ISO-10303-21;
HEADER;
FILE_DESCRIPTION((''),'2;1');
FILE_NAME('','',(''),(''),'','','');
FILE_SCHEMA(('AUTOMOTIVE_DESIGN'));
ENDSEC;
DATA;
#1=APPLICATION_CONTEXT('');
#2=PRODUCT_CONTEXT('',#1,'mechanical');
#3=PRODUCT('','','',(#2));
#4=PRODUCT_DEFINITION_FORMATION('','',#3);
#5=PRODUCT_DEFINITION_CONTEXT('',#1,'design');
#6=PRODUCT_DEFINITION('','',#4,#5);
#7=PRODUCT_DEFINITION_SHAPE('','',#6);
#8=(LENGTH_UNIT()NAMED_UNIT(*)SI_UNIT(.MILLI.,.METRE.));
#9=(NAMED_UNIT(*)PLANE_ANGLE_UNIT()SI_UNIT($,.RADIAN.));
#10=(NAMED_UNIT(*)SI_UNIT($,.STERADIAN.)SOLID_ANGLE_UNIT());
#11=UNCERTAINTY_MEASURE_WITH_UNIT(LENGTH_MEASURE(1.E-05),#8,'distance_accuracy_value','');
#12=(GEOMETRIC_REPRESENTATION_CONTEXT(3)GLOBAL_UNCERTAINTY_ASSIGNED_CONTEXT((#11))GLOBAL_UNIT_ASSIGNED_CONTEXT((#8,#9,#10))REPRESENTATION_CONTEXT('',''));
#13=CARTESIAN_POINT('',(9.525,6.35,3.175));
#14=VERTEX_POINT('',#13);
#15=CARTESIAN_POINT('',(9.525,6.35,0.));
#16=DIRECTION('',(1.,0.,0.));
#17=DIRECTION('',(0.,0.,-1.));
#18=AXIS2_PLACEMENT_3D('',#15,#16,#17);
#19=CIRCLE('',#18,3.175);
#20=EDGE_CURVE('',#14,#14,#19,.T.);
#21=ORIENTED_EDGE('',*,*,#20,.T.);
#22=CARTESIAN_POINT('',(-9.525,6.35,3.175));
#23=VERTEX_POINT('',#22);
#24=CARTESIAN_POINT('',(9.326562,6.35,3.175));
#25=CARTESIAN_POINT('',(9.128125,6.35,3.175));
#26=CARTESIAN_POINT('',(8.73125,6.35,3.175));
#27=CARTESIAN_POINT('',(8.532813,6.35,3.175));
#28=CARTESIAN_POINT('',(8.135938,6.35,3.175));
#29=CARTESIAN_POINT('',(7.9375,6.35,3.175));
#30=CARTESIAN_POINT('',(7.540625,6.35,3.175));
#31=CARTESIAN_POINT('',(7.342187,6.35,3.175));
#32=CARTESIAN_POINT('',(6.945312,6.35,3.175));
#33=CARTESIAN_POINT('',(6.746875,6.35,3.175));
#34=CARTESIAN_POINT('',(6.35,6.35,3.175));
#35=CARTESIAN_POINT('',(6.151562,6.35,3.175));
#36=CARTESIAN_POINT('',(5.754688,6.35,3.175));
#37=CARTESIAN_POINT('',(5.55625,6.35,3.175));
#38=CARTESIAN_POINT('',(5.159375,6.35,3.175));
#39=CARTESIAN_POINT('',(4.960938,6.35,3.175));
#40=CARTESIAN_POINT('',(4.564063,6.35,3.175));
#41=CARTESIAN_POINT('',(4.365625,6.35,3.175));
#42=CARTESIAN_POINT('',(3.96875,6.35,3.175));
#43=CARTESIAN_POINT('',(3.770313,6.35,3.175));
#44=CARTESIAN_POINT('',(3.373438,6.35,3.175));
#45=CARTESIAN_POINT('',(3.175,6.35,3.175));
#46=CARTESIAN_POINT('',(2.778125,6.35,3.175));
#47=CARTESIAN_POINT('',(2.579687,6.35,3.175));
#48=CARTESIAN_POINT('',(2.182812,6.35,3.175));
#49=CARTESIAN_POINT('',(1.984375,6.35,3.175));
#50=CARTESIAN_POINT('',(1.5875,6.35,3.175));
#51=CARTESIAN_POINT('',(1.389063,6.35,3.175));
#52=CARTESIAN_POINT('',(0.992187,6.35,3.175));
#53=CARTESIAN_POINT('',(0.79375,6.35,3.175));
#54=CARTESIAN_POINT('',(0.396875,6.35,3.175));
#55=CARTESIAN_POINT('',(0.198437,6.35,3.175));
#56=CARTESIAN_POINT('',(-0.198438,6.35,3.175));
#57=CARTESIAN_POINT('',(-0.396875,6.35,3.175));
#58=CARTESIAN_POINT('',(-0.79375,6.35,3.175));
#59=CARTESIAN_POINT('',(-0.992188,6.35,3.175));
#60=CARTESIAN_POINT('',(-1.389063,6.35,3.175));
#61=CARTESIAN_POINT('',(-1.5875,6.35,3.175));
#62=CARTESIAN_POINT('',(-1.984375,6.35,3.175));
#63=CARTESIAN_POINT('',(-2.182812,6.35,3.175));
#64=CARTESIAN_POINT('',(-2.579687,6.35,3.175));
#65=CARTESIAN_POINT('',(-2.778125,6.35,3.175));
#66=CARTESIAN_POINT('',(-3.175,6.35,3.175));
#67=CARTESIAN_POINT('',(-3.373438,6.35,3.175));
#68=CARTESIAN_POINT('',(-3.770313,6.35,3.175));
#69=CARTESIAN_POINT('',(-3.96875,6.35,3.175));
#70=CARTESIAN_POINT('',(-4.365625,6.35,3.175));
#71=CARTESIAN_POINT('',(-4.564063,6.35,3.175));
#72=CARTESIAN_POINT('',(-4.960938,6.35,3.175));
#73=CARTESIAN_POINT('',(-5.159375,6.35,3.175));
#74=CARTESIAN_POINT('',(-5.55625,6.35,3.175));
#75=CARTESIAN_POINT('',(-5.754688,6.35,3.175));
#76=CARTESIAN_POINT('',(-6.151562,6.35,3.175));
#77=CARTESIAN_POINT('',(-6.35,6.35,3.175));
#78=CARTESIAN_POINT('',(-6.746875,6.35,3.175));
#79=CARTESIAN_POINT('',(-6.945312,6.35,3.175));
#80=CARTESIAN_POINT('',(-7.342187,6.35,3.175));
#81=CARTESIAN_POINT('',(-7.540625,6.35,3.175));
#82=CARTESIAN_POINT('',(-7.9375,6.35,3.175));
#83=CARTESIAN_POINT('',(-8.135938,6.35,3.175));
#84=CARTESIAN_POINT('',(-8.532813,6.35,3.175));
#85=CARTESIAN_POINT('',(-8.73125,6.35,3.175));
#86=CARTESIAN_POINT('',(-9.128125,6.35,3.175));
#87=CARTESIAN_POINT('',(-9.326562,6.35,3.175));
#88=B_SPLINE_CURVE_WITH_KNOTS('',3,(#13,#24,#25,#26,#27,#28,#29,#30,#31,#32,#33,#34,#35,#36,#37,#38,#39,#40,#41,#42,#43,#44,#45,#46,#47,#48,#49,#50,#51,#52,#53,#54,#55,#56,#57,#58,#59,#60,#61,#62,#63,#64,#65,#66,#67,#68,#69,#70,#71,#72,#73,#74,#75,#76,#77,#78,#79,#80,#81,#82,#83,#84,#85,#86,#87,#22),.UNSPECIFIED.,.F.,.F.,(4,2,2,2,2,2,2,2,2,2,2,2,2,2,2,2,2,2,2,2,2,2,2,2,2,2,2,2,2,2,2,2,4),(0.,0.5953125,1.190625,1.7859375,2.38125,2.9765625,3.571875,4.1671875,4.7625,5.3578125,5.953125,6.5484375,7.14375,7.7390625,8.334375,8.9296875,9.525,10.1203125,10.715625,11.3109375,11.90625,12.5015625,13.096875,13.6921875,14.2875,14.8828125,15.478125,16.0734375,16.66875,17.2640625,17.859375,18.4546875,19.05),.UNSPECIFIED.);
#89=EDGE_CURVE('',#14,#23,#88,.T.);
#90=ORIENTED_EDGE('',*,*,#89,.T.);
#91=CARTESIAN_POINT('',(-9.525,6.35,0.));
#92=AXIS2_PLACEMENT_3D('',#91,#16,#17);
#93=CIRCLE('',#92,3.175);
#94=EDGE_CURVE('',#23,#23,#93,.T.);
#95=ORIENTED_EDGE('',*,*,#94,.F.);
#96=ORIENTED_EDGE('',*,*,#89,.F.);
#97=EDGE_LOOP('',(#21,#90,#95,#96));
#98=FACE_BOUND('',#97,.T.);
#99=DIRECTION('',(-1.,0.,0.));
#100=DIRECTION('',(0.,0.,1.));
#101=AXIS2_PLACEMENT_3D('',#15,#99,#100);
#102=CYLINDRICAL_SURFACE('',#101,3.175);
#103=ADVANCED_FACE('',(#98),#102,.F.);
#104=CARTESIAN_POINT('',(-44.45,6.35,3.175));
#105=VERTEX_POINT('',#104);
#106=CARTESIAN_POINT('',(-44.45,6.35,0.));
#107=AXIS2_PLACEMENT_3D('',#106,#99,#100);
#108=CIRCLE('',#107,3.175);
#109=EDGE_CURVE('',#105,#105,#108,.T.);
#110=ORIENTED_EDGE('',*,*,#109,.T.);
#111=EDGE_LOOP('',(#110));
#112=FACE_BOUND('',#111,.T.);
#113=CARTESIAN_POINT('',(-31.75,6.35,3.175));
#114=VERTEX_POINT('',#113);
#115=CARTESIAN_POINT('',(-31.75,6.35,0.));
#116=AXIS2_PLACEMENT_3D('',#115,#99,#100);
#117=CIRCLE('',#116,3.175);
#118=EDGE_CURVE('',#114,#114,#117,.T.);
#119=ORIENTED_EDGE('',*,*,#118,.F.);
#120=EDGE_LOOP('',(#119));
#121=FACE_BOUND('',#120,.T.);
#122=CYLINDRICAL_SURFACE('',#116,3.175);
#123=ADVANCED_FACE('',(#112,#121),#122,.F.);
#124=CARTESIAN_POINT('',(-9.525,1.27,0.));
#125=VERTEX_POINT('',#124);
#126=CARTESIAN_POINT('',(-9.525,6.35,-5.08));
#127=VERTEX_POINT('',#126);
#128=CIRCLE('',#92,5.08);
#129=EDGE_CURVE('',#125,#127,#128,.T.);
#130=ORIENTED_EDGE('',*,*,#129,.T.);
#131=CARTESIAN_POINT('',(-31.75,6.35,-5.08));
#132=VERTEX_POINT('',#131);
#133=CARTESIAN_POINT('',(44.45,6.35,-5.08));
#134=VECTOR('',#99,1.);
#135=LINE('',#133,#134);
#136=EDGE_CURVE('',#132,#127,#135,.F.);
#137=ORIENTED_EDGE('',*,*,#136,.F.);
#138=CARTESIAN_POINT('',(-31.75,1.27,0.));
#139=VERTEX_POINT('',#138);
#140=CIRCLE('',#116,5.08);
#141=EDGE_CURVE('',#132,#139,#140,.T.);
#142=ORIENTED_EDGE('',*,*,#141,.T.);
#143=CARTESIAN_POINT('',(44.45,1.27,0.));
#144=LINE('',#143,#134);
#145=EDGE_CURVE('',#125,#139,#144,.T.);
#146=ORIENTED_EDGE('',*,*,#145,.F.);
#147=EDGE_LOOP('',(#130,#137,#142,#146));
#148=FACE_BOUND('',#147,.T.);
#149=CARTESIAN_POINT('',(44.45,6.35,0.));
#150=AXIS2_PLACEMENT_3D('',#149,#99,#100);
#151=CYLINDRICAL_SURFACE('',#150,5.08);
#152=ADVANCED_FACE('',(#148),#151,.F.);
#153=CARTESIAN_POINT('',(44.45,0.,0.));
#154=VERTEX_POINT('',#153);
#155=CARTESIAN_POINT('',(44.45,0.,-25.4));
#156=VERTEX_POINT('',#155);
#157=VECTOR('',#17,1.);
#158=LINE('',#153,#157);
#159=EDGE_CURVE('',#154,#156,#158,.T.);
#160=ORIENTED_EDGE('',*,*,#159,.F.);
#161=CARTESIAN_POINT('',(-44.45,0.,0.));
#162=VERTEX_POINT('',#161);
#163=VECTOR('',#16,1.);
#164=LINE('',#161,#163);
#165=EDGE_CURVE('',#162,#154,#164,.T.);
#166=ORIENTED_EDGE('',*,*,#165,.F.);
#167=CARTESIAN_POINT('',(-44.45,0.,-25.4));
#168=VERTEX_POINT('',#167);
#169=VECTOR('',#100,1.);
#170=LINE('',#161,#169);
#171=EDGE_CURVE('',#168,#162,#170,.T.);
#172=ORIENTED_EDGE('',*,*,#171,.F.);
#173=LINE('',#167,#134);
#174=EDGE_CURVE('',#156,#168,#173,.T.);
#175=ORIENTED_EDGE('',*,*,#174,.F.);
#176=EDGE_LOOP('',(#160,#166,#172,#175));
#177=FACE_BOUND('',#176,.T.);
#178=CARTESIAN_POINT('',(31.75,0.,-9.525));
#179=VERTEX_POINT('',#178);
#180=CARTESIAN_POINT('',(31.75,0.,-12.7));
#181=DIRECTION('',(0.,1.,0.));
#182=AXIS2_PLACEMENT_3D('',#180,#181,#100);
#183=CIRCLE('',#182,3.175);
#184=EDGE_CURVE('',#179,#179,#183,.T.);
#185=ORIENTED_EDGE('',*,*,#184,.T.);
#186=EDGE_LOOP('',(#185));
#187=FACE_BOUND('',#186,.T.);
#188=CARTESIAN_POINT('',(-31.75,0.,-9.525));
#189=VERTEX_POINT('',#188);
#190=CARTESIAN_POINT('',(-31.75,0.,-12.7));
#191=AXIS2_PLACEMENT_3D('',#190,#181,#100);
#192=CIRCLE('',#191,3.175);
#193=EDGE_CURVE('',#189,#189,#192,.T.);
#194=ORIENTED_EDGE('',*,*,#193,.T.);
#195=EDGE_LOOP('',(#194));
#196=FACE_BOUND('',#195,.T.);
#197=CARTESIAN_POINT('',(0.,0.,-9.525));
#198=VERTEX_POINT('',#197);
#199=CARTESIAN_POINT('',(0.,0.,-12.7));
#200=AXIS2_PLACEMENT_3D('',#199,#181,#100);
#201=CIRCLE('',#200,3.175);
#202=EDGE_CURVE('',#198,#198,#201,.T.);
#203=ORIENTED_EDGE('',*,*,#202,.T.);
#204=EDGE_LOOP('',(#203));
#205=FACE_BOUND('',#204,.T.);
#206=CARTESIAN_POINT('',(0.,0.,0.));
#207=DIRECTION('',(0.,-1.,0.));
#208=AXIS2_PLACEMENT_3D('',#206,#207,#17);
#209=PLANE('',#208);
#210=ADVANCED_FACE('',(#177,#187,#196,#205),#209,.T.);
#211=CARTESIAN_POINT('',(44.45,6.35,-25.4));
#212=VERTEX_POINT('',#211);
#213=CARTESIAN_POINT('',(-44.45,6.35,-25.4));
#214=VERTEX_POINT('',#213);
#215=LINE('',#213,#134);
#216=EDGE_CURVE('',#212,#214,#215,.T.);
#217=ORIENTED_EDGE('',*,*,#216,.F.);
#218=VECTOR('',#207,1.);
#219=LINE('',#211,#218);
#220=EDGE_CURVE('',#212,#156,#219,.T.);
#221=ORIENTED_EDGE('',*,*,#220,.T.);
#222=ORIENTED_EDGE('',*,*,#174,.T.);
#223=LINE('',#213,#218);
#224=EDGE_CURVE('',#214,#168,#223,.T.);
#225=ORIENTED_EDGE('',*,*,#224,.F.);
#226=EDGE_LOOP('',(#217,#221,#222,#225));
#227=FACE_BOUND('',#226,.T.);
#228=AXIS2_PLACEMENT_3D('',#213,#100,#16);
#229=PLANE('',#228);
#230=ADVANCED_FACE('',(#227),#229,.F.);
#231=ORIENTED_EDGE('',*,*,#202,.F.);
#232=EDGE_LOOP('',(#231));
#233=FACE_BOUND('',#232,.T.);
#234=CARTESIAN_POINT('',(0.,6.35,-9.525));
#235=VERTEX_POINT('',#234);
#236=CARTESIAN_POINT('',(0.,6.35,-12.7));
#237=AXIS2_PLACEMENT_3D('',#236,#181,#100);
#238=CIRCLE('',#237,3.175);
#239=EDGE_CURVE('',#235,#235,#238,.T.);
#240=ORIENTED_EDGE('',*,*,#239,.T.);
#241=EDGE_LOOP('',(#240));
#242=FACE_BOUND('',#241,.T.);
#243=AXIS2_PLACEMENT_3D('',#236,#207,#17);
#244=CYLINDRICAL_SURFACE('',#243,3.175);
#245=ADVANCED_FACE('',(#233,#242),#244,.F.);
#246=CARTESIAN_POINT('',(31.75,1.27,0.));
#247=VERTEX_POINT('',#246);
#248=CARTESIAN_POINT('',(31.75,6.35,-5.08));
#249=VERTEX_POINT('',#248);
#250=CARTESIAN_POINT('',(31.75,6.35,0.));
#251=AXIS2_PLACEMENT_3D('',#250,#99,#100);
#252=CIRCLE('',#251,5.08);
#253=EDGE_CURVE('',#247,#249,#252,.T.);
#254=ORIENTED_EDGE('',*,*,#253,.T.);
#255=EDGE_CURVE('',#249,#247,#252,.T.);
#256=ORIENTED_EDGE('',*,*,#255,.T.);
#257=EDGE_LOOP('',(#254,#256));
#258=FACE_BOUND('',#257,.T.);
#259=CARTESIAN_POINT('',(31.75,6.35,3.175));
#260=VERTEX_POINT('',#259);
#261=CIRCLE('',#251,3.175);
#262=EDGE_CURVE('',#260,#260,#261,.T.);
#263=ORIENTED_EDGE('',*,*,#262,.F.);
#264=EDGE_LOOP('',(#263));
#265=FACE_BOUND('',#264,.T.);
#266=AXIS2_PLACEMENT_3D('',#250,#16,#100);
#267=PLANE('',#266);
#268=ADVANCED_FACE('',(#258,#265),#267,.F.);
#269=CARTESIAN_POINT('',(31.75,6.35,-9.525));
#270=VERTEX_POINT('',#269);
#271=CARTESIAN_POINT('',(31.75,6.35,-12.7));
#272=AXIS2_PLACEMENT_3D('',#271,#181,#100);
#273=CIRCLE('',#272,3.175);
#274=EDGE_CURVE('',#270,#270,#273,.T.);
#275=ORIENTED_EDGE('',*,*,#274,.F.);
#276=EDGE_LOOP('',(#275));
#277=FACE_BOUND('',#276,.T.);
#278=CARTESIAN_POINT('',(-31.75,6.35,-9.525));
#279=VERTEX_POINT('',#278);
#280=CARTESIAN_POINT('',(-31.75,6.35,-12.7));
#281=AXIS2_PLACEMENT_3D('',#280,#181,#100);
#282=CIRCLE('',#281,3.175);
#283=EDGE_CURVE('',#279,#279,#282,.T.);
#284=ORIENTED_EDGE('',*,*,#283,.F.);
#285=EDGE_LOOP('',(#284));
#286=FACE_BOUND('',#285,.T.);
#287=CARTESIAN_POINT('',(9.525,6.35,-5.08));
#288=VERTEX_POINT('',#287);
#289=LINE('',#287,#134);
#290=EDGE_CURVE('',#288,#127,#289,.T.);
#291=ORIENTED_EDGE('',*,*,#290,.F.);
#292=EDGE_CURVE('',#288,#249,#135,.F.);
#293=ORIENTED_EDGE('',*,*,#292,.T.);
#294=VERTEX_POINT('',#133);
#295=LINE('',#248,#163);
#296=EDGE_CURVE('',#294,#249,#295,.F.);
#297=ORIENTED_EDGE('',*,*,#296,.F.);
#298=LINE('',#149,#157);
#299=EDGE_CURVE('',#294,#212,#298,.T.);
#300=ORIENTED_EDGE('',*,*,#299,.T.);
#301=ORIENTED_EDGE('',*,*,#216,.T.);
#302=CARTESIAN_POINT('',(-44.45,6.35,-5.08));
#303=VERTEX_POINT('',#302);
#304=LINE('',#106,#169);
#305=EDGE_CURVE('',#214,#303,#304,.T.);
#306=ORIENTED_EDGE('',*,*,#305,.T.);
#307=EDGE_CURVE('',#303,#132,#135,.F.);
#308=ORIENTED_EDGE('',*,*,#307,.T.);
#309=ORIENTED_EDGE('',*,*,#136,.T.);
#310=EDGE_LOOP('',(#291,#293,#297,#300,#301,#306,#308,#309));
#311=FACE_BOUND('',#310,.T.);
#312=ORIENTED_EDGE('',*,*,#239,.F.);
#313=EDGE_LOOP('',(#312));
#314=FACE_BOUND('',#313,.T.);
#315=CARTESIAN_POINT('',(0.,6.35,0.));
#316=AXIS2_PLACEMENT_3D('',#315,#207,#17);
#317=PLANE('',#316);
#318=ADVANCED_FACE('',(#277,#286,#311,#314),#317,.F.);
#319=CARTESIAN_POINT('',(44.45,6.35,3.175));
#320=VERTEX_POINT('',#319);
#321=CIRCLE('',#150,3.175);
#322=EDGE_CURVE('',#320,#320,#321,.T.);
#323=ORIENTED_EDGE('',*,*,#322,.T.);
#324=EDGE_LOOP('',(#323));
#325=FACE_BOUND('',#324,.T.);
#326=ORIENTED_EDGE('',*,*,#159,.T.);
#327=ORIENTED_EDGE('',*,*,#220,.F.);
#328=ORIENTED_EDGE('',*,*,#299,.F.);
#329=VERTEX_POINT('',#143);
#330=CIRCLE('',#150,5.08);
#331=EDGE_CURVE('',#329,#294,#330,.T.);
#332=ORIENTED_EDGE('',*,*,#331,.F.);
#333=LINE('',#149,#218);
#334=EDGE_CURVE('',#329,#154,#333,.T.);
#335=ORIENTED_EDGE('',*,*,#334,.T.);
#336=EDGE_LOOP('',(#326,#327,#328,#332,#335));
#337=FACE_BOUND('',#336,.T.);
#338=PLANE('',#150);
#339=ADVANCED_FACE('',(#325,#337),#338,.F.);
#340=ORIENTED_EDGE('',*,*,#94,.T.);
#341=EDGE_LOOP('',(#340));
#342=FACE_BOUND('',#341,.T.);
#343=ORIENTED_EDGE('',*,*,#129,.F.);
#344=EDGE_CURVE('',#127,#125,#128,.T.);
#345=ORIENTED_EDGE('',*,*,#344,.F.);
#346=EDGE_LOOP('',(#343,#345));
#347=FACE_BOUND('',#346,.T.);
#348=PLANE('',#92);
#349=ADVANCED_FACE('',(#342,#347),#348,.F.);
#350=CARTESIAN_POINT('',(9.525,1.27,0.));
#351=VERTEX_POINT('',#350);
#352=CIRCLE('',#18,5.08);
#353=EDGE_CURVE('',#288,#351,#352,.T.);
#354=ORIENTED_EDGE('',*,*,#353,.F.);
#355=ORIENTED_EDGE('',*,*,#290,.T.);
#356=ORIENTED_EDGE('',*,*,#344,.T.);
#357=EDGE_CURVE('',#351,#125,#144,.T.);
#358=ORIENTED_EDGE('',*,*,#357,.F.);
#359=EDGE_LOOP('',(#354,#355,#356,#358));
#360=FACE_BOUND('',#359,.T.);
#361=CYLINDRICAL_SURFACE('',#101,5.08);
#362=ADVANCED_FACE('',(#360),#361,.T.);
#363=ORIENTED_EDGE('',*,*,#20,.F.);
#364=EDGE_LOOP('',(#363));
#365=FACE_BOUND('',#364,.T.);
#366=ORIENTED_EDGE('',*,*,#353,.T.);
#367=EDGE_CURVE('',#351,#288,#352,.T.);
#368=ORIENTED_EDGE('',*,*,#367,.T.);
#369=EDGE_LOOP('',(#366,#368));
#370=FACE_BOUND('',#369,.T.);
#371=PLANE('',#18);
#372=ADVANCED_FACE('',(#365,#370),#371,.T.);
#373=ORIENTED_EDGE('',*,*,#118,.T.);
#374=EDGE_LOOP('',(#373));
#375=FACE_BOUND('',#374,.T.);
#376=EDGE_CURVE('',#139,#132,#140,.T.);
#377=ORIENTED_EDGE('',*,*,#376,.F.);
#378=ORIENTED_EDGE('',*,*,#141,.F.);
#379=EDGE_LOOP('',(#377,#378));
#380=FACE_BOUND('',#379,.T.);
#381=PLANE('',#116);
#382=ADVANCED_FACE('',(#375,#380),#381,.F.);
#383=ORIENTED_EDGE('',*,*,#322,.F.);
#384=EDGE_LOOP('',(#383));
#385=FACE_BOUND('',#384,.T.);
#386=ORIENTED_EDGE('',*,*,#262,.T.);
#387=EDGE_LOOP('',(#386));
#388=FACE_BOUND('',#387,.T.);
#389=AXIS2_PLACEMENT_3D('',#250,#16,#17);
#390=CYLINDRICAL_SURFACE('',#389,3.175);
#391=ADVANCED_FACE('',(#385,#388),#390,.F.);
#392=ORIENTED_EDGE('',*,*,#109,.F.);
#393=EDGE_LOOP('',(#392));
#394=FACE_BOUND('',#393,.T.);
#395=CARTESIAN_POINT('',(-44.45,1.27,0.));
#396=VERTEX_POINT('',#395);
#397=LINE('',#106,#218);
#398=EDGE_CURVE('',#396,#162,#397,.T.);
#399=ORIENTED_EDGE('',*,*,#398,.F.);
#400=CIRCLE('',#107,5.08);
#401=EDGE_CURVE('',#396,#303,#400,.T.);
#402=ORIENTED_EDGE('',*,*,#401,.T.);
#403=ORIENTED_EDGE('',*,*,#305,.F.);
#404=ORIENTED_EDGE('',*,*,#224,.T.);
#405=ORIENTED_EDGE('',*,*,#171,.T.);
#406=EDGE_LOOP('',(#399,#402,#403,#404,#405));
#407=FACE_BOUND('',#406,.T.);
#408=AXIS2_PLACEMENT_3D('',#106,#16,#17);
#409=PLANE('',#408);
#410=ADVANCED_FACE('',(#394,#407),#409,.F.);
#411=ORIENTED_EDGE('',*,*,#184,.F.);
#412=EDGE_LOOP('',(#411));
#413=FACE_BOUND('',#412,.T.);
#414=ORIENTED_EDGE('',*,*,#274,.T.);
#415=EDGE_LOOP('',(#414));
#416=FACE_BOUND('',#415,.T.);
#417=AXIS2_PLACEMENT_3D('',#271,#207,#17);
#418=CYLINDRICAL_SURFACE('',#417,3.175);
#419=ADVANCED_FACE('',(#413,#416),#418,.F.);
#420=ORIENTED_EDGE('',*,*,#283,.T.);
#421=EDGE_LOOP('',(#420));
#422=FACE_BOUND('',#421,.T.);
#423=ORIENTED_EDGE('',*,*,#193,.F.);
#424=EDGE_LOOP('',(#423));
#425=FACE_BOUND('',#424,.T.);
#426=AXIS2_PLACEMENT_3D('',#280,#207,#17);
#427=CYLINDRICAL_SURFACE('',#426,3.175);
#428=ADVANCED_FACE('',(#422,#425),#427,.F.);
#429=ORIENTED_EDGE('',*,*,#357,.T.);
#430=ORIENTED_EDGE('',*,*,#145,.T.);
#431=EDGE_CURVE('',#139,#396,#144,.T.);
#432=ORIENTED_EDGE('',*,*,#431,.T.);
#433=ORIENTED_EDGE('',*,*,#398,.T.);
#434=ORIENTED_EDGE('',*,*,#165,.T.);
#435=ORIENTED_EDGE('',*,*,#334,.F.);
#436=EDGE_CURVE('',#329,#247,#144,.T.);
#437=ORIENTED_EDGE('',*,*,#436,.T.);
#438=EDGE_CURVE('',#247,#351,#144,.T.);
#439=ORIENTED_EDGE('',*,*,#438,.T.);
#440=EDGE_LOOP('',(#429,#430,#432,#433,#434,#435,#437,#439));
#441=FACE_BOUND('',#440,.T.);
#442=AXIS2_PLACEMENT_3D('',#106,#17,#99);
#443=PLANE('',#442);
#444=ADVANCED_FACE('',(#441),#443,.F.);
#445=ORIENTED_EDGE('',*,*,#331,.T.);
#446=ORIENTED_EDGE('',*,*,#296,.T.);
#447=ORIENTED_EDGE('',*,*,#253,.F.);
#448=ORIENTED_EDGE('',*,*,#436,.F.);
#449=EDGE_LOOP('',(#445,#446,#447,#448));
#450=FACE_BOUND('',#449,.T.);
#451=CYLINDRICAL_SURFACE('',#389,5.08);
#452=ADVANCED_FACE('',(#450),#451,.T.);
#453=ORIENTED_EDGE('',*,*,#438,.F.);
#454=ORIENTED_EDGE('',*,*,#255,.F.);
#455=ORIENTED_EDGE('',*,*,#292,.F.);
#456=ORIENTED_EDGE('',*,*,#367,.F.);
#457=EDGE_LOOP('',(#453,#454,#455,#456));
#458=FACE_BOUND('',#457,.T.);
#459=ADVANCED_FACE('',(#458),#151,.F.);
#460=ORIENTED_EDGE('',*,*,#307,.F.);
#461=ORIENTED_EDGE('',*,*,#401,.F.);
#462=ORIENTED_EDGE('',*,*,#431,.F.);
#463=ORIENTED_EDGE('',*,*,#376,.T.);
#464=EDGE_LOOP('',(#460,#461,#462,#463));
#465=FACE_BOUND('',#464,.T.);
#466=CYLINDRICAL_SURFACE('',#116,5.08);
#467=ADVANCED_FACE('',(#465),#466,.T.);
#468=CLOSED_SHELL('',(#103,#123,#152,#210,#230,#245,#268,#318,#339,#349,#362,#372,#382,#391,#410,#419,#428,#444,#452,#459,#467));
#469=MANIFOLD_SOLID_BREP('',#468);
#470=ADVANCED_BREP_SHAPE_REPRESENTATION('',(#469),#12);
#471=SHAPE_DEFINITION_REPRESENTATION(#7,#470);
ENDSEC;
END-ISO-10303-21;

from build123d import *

# Parameters (mm, degrees)
SKETCH2_W           = 88.9
SKETCH2_H           = 25.4
SKETCH2_R           = 3.175
BOSS_EXTRUDE1_DEPTH = 6.35
SKETCH3_R           = 5.08
CUT_EXTRUDE1_DEPTH  = 93.675198948
SKETCH4_R           = 5.08
SKETCH4_R_2         = 3.175
BOSS_EXTRUDE2_DEPTH = 12.7
SKETCH5_R           = 5.08
SKETCH5_R_2         = 3.175
BOSS_EXTRUDE3_DEPTH = 9.525


with BuildPart() as part:
    # Sketch2 → Boss-Extrude1 (new body)
    with BuildSketch(Plane(origin=(0, 0, 0), x_dir=(1, 0, 0), z_dir=(0, 1, 0))):
        with Locations((0, 12.7)):
            Rectangle(SKETCH2_W, SKETCH2_H)
        with Locations(Location((-31.75, 12.7, 0), (0, 0, 270))):
            Circle(SKETCH2_R, mode=Mode.SUBTRACT)
        with Locations(Location((0, 12.7, 0), (0, 0, 270))):
            Circle(SKETCH2_R, mode=Mode.SUBTRACT)
        with Locations(Location((31.75, 12.7, 0), (0, 0, 270))):
            Circle(SKETCH2_R, mode=Mode.SUBTRACT)
    extrude(amount=BOSS_EXTRUDE1_DEPTH)

    # Sketch3 → Cut-Extrude1 (cut, through all)
    with BuildSketch(Plane.ZY.offset(44.45)):
        with Locations((0, 6.35)):
            Circle(SKETCH3_R)
    extrude(amount=-CUT_EXTRUDE1_DEPTH, mode=Mode.SUBTRACT)

    # Sketch4 → Boss-Extrude2 (add)
    with BuildSketch(Plane.ZY.offset(44.45)):
        with Locations((0, 6.35)):
            Circle(SKETCH4_R)
        with Locations((0, 6.35)):
            Circle(SKETCH4_R_2, mode=Mode.SUBTRACT)
    boss_extrude2 = extrude(amount=-BOSS_EXTRUDE2_DEPTH)

    # Mirror1: Boss-Extrude2 across plane
    add(boss_extrude2.mirror(Plane(origin=(0, 0, 0), x_dir=(0, 0, 1), z_dir=(1, 0, 0))))

    # Sketch5 → Boss-Extrude3 (add, symmetric)
    with BuildSketch(Plane(origin=(0, 0, 0), x_dir=(0, 0, -1), z_dir=(1, 0, 0))):
        with Locations((0, 6.35)):
            Circle(SKETCH5_R)
        with Locations(Location((0, 6.35, 0), (0, 0, 180))):
            Circle(SKETCH5_R_2, mode=Mode.SUBTRACT)
    extrude(amount=BOSS_EXTRUDE3_DEPTH, both=True)


solid = part.part
